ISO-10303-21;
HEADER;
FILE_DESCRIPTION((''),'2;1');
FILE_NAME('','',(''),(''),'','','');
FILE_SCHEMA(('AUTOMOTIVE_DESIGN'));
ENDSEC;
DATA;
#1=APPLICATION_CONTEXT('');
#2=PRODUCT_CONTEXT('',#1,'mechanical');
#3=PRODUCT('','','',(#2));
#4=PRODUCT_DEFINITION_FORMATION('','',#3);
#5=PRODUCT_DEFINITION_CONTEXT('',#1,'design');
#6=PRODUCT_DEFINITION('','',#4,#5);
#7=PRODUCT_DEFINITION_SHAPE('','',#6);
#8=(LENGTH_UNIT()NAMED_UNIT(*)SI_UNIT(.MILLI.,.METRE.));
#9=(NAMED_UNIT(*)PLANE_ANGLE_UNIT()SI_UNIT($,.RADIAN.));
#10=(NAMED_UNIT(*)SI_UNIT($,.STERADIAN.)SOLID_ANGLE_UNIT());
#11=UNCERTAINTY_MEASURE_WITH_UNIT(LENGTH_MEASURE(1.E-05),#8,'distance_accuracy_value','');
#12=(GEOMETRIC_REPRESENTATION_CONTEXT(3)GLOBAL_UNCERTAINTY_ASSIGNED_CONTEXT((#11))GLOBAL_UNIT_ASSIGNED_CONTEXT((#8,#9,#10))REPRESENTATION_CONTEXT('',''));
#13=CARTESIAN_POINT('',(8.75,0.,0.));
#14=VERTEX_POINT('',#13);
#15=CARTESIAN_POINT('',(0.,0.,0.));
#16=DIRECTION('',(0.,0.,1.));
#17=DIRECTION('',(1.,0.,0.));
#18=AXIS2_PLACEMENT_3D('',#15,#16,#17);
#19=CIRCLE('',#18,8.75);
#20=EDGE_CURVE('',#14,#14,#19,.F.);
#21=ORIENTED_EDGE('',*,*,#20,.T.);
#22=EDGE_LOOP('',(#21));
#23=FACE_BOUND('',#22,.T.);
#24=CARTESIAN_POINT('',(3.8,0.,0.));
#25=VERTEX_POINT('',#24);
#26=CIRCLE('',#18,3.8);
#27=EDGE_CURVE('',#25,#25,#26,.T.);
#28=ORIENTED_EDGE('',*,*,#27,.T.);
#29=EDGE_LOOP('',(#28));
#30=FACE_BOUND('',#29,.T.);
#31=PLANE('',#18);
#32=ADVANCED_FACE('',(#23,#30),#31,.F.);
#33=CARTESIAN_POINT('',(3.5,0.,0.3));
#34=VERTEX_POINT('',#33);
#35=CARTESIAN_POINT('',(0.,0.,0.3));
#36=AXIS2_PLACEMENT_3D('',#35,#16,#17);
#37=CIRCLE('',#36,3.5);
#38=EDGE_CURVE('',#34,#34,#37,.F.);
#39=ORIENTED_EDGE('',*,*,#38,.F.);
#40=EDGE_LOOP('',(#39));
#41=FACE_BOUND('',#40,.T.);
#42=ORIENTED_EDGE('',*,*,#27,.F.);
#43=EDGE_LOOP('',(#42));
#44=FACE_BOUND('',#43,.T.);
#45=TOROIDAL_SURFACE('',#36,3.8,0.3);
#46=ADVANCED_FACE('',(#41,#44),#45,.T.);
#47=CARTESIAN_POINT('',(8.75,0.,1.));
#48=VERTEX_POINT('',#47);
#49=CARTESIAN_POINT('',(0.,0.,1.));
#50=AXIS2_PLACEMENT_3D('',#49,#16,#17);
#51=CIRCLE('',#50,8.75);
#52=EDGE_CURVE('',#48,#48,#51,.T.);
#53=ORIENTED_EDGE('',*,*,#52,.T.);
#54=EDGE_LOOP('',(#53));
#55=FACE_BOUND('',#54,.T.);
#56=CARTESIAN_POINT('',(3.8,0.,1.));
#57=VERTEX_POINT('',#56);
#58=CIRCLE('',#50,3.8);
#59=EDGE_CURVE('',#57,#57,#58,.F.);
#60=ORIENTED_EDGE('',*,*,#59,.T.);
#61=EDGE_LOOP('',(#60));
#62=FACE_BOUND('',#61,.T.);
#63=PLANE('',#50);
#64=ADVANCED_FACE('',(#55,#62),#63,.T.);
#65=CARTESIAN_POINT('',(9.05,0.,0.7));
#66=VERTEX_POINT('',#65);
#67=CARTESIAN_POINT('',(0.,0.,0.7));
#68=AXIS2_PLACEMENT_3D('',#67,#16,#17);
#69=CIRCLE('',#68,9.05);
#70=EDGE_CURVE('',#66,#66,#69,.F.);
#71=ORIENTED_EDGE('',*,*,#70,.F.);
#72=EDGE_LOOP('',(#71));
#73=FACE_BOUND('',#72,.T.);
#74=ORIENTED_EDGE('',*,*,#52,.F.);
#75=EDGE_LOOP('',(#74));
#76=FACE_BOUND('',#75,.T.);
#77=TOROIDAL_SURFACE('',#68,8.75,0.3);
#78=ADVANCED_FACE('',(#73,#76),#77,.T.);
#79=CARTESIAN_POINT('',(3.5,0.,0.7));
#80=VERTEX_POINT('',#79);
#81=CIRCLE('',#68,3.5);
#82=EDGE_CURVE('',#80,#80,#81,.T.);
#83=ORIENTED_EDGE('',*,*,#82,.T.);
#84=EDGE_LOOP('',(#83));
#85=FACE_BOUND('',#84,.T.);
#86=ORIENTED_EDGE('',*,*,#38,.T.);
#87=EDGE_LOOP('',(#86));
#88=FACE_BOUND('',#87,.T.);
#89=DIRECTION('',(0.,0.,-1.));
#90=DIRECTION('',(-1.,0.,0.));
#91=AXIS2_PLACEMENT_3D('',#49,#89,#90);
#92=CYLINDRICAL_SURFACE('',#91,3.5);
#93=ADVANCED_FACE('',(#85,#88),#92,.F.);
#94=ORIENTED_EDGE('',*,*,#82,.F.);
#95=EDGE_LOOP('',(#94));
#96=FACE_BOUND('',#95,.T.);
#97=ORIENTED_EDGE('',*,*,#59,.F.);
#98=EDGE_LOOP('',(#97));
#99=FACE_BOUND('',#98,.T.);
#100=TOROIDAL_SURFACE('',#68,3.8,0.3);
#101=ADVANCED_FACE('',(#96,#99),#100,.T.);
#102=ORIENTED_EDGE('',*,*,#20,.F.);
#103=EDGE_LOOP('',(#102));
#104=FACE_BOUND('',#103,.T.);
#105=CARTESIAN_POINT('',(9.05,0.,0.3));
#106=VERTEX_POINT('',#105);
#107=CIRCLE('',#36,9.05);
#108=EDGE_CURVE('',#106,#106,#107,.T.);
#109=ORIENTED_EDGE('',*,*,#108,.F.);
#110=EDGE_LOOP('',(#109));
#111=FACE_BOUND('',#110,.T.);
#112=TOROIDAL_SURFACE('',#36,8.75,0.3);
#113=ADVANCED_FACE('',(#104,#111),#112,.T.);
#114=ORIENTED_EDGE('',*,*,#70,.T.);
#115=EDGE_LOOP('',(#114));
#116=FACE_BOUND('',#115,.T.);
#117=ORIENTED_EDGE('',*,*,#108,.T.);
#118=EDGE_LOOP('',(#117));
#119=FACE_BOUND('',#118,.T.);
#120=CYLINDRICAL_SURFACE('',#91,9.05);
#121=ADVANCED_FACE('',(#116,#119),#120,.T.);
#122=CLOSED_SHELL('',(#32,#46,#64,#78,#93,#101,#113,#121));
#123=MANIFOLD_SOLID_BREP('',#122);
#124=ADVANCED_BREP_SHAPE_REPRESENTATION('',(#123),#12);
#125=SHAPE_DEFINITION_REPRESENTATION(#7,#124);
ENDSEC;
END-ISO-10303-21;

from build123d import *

# Parameters (mm, degrees)
ESBO_O1_R                = 9.05
ESBO_O1_R_2              = 3.5
RESSALTO_EXTRUS_O1_DEPTH = 1
FILETE1_R                = 0.3


with BuildPart() as part:
    # Esboço1 → Ressalto-extrusão1 (new body)
    with BuildSketch(Plane.XY):
        Circle(ESBO_O1_R)
        Circle(ESBO_O1_R_2, mode=Mode.SUBTRACT)
    extrude(amount=RESSALTO_EXTRUS_O1_DEPTH)

    # Filete1
    filete1_edges = [part.edges().sort_by_distance(p)[0] for p in [
        (-9.05, 0, 0),
        (-9.05, 0, 1),
        (-3.5, 0, 0),
        (-3.5, 0, 1),
    ]]
    fillet(filete1_edges, radius=FILETE1_R)


solid = part.part
